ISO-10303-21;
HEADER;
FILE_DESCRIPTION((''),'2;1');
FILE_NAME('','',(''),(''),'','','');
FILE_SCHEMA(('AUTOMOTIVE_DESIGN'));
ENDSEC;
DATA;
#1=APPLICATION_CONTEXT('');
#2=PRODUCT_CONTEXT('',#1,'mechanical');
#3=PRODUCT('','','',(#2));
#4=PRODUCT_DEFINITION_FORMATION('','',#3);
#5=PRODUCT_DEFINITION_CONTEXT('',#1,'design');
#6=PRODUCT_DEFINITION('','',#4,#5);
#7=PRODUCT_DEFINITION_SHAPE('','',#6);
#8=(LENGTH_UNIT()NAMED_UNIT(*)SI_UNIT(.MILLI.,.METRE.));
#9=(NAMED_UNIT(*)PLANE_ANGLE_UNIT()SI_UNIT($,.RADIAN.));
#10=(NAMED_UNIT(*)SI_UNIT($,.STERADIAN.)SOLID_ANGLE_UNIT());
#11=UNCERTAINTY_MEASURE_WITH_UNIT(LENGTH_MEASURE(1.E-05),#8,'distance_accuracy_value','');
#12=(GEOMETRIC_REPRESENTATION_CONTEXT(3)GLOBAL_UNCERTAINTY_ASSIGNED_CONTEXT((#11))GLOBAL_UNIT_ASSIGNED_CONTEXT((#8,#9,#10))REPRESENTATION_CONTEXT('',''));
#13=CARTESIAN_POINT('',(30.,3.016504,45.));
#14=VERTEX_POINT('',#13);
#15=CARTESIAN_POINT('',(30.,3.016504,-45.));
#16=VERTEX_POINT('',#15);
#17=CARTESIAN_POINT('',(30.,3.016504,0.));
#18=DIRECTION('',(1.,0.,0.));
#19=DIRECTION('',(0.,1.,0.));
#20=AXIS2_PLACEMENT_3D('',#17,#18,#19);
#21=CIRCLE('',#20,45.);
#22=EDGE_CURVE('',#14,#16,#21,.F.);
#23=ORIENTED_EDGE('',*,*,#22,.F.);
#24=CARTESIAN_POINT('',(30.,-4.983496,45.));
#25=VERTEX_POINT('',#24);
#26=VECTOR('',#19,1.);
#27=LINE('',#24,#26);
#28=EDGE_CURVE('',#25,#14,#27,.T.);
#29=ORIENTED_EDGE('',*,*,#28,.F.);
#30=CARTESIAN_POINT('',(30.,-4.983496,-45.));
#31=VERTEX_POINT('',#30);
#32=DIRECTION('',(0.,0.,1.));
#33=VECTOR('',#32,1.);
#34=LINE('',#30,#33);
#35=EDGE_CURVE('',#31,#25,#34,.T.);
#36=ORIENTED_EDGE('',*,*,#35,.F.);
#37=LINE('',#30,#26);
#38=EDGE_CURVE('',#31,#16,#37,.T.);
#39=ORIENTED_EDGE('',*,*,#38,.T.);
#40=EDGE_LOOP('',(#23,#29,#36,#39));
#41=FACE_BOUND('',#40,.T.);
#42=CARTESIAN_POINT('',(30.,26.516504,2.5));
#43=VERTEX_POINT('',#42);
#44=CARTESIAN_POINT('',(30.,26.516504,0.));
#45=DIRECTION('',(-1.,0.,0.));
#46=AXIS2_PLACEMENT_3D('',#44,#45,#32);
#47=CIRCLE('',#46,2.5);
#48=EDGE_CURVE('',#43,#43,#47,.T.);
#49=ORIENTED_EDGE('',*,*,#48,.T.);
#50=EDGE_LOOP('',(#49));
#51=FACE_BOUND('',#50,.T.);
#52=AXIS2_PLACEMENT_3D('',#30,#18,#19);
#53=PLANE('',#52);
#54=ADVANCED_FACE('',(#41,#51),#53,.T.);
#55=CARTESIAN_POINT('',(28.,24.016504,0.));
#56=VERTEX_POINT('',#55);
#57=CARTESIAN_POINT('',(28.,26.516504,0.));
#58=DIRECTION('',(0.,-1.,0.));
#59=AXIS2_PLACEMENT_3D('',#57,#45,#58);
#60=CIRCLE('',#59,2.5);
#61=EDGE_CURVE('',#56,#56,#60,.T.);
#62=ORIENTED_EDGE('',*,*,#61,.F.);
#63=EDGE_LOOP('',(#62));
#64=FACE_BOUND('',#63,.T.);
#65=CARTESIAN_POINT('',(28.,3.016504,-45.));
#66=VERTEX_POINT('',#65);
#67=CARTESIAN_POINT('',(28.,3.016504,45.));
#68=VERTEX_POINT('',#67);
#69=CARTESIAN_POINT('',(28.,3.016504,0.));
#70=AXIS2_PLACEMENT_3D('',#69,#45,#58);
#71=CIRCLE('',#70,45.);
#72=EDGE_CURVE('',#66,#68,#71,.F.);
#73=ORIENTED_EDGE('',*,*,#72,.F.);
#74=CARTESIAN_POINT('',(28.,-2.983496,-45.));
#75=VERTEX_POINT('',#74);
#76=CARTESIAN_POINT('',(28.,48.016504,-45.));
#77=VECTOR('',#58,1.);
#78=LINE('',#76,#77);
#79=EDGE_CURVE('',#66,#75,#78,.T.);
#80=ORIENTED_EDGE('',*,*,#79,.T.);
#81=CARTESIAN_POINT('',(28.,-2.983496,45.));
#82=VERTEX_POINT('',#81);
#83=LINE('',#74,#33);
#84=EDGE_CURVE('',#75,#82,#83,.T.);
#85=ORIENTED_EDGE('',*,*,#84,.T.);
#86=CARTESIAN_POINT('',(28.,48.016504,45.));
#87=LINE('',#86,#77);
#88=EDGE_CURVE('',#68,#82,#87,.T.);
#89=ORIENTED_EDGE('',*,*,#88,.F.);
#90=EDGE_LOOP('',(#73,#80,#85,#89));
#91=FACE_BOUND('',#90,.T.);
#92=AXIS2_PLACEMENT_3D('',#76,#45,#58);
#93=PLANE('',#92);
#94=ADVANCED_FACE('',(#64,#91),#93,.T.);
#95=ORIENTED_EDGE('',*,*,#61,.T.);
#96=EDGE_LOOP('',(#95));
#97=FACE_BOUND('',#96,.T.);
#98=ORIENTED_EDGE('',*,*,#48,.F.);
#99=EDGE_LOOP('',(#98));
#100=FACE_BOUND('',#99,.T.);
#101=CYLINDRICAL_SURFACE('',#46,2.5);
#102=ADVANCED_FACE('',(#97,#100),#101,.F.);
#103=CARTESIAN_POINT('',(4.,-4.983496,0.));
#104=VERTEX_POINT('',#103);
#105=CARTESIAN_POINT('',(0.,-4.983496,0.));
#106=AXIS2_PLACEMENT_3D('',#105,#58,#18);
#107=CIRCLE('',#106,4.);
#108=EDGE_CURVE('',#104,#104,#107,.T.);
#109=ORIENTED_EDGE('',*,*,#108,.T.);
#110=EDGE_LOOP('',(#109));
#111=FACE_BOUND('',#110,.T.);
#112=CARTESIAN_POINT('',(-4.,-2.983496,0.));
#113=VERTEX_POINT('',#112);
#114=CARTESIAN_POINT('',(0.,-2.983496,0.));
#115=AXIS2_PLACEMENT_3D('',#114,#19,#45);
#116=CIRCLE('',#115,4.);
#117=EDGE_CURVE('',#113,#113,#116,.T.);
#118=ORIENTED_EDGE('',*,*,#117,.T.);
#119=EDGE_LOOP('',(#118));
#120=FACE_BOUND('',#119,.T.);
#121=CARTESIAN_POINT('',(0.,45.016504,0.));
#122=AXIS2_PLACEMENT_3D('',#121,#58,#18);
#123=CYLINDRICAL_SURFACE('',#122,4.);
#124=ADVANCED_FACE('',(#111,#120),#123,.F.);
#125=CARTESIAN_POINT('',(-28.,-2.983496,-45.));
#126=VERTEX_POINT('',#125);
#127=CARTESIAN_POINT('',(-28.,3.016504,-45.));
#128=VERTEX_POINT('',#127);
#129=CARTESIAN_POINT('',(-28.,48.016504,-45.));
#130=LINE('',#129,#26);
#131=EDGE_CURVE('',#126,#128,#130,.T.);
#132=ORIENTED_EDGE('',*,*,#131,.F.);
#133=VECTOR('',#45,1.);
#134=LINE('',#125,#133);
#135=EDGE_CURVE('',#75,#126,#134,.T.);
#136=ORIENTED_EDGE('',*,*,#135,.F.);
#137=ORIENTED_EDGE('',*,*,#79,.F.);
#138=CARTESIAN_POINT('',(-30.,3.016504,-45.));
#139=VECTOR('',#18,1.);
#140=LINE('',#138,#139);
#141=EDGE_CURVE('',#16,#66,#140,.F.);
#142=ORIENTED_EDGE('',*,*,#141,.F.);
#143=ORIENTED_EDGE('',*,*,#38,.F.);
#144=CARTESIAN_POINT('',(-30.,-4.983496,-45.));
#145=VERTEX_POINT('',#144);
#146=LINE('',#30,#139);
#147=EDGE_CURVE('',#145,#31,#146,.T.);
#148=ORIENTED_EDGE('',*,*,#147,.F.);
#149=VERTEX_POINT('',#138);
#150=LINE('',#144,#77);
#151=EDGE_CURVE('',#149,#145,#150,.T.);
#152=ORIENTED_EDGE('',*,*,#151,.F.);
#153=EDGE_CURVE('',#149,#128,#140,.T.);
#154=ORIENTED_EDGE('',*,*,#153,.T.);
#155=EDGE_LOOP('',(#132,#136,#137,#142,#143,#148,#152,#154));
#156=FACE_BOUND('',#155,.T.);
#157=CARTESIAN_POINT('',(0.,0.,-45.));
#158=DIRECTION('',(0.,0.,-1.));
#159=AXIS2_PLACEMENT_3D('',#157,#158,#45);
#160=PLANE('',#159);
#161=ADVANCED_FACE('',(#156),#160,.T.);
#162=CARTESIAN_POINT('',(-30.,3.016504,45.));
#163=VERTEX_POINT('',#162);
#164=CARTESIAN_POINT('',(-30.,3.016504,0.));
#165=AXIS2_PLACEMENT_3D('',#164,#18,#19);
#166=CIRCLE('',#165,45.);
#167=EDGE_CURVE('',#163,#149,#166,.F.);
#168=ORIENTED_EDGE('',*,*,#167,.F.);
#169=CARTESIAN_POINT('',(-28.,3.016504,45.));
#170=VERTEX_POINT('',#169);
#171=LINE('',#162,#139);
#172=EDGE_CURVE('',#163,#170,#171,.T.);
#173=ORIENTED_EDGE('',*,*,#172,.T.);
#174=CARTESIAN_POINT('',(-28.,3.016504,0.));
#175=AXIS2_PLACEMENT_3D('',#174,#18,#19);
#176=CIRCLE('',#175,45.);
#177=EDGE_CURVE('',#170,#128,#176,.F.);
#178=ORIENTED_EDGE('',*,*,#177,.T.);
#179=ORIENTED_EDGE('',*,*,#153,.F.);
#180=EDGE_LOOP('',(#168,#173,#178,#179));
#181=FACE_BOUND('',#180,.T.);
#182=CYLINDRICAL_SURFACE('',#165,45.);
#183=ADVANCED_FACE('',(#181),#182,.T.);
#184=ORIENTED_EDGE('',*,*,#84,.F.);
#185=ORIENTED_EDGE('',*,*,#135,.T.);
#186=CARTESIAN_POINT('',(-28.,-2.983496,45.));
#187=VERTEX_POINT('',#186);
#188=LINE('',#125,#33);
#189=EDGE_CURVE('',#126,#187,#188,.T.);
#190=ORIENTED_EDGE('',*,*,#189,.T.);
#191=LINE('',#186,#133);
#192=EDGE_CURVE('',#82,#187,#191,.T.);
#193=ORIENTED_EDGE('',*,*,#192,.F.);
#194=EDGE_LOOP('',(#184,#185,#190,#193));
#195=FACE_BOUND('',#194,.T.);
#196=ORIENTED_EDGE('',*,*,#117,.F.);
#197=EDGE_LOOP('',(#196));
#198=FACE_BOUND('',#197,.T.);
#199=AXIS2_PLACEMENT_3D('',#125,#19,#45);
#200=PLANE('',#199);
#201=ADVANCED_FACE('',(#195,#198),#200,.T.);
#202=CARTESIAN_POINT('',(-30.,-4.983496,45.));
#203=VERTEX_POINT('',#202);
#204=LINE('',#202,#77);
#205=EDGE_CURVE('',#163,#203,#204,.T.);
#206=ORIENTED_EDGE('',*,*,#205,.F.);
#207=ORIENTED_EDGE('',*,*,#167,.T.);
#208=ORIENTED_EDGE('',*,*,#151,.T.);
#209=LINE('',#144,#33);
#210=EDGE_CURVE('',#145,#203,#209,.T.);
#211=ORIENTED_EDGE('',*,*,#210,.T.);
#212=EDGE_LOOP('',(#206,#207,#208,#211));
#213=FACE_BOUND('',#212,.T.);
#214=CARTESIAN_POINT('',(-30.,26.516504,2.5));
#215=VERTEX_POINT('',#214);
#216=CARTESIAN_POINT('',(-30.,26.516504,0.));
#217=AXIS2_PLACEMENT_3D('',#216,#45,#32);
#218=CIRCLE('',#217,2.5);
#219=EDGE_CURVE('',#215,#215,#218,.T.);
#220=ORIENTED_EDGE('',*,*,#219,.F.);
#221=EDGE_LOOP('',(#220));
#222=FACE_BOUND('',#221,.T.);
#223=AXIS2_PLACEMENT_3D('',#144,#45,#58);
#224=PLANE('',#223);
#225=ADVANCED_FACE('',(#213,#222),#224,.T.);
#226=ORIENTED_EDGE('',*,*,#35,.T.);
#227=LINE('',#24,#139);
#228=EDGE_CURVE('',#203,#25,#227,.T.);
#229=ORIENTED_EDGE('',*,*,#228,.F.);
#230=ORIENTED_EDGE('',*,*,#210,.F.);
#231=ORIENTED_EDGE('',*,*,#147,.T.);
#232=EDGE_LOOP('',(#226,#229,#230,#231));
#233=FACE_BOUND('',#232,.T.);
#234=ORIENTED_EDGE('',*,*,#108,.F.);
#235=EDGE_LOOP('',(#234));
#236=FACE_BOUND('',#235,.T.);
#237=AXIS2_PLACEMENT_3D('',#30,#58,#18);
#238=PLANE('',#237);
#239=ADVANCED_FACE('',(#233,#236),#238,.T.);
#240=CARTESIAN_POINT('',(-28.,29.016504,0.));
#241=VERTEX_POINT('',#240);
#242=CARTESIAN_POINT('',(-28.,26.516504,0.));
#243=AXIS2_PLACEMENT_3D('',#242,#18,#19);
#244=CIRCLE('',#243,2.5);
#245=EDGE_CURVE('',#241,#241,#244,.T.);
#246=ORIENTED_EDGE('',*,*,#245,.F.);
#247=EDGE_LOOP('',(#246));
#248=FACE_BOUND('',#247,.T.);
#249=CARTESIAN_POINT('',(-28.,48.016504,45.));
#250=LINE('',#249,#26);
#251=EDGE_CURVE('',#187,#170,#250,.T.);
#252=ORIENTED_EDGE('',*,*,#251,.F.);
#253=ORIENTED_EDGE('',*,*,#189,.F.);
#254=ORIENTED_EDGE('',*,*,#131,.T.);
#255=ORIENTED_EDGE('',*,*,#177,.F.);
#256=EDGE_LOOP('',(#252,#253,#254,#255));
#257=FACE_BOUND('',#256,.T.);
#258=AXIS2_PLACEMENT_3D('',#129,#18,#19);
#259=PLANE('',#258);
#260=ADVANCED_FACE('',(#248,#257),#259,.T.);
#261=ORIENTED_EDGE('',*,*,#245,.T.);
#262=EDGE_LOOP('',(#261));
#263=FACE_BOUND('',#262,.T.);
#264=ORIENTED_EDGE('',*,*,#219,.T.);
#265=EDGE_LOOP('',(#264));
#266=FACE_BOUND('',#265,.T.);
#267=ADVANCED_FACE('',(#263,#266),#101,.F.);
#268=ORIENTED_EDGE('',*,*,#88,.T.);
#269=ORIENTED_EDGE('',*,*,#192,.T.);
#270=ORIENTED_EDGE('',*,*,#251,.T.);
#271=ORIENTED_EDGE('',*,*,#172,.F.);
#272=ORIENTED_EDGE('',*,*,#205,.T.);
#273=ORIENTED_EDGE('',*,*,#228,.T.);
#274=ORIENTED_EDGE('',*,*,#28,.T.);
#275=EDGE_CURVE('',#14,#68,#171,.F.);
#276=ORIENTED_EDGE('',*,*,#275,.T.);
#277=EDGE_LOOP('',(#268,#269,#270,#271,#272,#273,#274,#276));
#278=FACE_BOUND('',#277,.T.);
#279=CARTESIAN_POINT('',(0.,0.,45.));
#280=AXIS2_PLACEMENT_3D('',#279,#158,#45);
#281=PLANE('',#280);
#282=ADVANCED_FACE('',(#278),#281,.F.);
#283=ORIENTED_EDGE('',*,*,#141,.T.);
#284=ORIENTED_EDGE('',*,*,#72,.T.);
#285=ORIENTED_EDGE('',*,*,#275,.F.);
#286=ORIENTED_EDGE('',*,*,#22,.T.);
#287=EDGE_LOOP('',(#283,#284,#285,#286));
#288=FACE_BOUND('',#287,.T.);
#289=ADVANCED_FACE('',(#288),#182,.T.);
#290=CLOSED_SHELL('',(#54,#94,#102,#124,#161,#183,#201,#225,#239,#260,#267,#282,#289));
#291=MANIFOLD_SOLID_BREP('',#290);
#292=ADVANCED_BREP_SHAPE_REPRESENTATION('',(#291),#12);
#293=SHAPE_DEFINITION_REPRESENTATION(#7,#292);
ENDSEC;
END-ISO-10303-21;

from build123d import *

# Parameters (mm, degrees)
EXTRUDE_1_DEPTH      = 45
EXTRUDE_1_DEPTH_BACK = 45
CUT_EXTRUDE_1_DEPTH  = 90.053829869
SKETCH_4_R           = 2.5
CUT_EXTRUDE_2_DEPTH  = 90.053829869
SKETCH_5_R           = 4
CUT_EXTRUDE_3_DEPTH  = 50


with BuildPart() as part:
    # 草图1 → 凸台-拉伸1 (new, two sides: drawn at the far end of the back side and taken through both)
    with BuildSketch(Plane.XY.offset(-EXTRUDE_1_DEPTH_BACK)):
        Polygon((30, -4.983496438), (-30, -4.983496438), (-30, 48.016503562), (-28, 48.016503562), (-28, -2.983496438), (28, -2.983496438), (28, 48.016503562), (30, 48.016503562), align=None)
    extrude(amount=EXTRUDE_1_DEPTH + EXTRUDE_1_DEPTH_BACK)

    # 草图3 → 切除-拉伸1 (cut, through all)
    with BuildSketch(Plane(origin=(30, 0, 0), x_dir=(0, 0, -1), z_dir=(1, 0, 0))):
        with BuildLine():
            Line((45, 48.016503562), (9.2e-08, 48.016503562))
            ThreePointArc((9.2e-08, 48.016503562), (31.819805186, 34.836308683), (45, 3.016503562))
            Line((45, 3.016503562), (45, 48.016503562))
        make_face()
        with BuildLine():
            Line((-45, 48.016503562), (-45, 3.016503562))
            ThreePointArc((-45, 3.016503562), (-31.819805121, 34.836308748), (9.2e-08, 48.016503562))
            Line((9.2e-08, 48.016503562), (-45, 48.016503562))
        make_face()
    extrude(amount=-CUT_EXTRUDE_1_DEPTH, mode=Mode.SUBTRACT)

    # 草图4 → 切除-拉伸2 (cut, through all)
    with BuildSketch(Plane.ZY.offset(30)):
        with Locations((0, 26.516503562)):
            Circle(SKETCH_4_R)
    extrude(amount=-CUT_EXTRUDE_2_DEPTH, mode=Mode.SUBTRACT)

    # 草图5 → 切除-拉伸3 (cut)
    with BuildSketch(Plane.XZ.offset(4.983496438)):
        Circle(SKETCH_5_R)
    extrude(amount=-CUT_EXTRUDE_3_DEPTH, mode=Mode.SUBTRACT)


solid = part.part
